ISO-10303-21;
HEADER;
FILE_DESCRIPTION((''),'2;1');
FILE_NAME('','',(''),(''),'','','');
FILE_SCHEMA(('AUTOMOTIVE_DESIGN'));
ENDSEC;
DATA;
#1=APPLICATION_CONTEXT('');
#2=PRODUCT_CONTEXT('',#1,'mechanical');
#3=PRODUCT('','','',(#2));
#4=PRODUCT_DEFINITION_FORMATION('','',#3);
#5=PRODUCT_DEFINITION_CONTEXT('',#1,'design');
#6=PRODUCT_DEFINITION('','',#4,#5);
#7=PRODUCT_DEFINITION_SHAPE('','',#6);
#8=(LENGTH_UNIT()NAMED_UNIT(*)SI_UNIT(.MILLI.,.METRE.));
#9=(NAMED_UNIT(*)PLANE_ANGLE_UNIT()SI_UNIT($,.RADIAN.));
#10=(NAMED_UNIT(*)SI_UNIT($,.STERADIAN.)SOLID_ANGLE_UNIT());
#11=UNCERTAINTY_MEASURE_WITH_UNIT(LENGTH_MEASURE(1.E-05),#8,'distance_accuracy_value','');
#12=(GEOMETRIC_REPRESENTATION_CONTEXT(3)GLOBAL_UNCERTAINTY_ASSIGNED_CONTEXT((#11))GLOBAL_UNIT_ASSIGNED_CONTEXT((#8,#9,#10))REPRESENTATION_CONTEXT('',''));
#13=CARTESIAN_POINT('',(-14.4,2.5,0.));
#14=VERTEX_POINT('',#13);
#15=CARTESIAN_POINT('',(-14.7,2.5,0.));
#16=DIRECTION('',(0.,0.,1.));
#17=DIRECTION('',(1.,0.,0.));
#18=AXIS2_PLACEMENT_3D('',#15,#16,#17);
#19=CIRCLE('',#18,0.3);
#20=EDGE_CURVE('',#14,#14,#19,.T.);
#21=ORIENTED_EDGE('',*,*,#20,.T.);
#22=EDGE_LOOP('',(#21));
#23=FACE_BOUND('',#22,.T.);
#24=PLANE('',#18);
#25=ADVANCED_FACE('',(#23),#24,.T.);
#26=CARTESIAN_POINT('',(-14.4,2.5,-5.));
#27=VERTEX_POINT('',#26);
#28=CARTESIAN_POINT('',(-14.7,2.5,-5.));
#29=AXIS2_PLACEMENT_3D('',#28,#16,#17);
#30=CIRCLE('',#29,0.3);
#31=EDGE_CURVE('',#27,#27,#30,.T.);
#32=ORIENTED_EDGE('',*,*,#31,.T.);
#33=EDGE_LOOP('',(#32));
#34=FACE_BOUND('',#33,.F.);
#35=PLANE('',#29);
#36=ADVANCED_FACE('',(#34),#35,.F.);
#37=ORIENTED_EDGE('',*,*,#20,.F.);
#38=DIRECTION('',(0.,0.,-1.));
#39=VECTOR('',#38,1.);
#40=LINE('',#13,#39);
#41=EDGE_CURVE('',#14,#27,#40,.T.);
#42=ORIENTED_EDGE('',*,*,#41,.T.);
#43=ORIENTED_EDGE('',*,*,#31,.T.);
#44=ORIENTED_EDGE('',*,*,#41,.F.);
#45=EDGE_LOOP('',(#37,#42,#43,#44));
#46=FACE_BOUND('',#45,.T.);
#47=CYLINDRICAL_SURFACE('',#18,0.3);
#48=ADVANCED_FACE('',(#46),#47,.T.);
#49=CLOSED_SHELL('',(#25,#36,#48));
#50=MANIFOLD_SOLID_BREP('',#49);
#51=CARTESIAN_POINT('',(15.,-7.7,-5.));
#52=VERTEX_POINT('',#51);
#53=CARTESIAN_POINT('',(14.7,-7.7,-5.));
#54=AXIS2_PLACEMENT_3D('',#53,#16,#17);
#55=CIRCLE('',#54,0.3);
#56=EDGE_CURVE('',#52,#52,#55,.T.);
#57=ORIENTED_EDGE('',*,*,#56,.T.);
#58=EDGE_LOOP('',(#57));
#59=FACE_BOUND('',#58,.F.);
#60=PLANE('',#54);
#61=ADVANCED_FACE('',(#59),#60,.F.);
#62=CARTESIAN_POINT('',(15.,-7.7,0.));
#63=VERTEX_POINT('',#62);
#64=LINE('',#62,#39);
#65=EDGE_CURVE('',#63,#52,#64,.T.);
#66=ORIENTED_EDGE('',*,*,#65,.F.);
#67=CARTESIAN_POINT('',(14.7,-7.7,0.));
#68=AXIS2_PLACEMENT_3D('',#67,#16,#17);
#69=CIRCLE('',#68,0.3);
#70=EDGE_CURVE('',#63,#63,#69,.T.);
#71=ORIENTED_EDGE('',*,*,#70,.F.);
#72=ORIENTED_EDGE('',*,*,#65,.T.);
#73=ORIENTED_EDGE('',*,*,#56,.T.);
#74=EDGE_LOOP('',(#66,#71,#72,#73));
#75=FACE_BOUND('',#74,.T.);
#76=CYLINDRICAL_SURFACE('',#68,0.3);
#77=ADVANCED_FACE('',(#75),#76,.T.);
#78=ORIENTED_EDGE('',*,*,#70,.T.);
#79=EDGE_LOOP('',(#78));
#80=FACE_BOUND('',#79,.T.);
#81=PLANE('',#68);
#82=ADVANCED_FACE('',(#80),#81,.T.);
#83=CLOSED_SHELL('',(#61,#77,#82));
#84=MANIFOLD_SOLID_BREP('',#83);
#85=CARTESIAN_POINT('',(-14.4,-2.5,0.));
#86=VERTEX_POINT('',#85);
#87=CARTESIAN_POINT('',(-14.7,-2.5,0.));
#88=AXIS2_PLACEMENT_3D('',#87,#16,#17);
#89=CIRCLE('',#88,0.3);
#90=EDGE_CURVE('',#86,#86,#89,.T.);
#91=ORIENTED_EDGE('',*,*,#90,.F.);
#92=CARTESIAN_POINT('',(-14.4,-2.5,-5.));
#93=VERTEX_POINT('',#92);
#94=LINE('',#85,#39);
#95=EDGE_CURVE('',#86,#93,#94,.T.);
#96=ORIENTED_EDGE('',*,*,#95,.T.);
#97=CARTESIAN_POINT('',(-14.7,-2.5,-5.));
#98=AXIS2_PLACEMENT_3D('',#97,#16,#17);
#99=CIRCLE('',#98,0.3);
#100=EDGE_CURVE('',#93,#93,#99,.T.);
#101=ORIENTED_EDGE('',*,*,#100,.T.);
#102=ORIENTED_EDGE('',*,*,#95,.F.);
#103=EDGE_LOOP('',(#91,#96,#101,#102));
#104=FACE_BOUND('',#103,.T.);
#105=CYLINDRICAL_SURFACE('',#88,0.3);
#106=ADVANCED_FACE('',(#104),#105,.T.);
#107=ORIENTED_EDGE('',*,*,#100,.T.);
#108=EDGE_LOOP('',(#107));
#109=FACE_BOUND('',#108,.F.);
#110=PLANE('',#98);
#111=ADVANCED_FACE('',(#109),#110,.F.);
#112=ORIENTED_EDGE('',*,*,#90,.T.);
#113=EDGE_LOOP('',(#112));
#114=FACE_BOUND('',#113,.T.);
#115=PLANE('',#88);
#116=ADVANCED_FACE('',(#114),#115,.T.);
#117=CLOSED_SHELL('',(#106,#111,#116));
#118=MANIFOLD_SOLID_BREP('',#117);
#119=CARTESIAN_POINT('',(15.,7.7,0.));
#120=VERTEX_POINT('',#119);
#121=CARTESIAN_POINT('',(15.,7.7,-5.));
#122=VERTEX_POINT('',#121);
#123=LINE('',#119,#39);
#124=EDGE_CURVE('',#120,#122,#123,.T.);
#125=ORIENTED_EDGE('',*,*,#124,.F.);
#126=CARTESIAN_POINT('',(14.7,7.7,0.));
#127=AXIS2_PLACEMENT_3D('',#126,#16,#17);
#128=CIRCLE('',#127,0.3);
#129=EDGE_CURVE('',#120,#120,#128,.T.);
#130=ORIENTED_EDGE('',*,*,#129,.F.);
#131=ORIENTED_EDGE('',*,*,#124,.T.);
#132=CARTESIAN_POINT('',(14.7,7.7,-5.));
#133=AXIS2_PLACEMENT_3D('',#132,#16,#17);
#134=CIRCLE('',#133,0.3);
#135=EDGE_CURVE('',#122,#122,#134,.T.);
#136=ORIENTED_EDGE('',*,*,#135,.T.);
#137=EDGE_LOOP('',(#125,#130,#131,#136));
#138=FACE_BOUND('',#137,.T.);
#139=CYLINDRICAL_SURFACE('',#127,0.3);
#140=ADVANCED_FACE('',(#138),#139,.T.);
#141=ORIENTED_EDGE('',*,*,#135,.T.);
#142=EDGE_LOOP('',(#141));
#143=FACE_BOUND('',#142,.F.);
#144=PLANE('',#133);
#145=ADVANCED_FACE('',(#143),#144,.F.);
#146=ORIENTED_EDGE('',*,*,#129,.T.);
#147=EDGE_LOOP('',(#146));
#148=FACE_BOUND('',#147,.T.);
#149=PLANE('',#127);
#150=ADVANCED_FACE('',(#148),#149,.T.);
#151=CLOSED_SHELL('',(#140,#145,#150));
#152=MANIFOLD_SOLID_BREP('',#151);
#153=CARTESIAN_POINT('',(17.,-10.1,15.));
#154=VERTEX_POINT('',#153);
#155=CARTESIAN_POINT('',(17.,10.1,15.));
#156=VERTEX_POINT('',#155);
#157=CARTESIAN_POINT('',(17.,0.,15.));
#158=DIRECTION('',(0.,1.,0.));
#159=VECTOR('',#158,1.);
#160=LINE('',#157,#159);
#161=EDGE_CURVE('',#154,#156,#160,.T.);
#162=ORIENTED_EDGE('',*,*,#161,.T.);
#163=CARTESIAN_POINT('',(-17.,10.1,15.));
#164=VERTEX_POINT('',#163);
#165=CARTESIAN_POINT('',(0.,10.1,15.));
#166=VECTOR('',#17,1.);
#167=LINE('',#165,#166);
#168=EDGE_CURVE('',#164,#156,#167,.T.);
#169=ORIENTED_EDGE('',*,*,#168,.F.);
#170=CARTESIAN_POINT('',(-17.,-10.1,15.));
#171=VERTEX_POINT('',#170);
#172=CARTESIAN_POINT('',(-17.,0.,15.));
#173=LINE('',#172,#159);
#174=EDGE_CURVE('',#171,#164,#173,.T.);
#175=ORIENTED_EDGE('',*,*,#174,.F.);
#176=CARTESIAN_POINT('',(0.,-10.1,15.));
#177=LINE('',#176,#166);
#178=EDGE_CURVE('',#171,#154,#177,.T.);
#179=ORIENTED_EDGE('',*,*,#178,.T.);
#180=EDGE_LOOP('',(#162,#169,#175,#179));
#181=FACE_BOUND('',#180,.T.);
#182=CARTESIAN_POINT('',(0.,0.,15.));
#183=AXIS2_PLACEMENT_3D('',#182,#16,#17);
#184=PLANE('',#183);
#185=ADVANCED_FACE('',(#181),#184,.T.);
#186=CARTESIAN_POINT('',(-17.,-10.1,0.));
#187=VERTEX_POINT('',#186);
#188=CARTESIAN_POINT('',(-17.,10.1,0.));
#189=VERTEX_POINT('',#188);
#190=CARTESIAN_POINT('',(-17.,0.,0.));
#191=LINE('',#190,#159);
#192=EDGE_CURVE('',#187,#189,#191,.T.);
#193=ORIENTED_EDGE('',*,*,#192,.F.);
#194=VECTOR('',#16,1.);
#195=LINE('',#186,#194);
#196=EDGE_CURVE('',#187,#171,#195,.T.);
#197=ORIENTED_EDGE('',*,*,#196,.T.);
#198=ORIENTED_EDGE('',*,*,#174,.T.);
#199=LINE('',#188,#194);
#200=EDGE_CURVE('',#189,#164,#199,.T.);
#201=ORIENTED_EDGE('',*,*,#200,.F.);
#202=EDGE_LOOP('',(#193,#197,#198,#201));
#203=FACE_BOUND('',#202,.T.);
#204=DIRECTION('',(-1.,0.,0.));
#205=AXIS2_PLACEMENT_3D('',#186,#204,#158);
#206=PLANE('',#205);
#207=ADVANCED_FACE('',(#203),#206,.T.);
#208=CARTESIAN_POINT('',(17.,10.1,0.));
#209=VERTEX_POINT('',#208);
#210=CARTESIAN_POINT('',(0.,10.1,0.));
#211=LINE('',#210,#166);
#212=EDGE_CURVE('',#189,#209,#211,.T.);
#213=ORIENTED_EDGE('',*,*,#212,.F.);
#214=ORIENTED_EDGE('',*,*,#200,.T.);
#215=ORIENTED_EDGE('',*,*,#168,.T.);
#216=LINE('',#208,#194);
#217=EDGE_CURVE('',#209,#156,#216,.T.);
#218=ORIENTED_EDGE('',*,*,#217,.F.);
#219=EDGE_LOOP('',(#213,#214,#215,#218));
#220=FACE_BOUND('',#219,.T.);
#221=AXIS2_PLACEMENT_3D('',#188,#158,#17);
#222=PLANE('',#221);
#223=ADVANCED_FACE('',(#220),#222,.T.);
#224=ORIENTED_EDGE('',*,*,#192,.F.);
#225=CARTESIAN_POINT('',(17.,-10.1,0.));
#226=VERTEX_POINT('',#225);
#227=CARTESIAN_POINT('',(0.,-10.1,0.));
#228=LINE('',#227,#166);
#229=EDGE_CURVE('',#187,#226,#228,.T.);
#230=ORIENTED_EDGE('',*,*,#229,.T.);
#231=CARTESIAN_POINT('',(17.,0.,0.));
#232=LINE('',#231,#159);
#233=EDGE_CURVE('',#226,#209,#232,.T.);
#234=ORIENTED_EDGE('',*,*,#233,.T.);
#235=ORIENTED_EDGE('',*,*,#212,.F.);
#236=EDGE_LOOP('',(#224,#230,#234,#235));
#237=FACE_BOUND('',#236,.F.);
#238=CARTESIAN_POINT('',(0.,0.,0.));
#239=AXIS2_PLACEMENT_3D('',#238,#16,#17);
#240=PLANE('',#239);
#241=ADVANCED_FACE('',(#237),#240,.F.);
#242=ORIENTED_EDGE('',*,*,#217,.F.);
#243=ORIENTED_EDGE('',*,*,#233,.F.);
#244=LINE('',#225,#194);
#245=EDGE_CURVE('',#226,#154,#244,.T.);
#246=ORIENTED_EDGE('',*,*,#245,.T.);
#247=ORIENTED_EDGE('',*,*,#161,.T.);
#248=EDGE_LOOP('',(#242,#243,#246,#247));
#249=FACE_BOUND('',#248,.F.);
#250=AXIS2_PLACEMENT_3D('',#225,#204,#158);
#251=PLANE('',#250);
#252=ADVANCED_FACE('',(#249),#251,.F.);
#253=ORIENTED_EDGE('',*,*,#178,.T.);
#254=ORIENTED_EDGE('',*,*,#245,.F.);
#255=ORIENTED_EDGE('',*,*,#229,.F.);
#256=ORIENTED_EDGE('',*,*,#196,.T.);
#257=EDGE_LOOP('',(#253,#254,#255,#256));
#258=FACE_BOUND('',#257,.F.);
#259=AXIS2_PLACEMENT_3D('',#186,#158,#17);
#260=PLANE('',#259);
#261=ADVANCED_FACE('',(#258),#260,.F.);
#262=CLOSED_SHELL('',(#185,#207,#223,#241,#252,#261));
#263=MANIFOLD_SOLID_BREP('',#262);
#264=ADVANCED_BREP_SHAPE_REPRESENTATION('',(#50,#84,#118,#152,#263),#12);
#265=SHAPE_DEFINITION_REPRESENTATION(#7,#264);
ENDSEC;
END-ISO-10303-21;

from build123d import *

# Parameters (mm, degrees)
F0_W     = 34
F0_H     = 20.2
F0_R     = 0.3
F1_DEPTH = 15
F2_DEPTH = 5


with BuildPart() as f1:
    # F0 (on Top) → F1 (new body)
    with BuildSketch(Plane.XY):
        Rectangle(F0_W, F0_H)
        with Locations((-14.7, -2.5)):
            Circle(F0_R, mode=Mode.SUBTRACT)
        with Locations((14.7, -7.7)):
            Circle(F0_R, mode=Mode.SUBTRACT)
        with Locations((-14.7, 2.5)):
            Circle(F0_R, mode=Mode.SUBTRACT)
        with Locations((14.7, 7.7)):
            Circle(F0_R, mode=Mode.SUBTRACT)
        with Locations((-14.7, 2.5)):
            Circle(F0_R)
        with Locations((14.7, 7.7)):
            Circle(F0_R)
        with Locations((14.7, -7.7)):
            Circle(F0_R)
        with Locations((-14.7, -2.5)):
            Circle(F0_R)
    extrude(amount=F1_DEPTH)


with BuildPart() as f2:
    # F0 (on Top) → F2 (new body)
    with BuildSketch(Plane.XY):
        with Locations((-14.7, -2.5)):
            Circle(F0_R)
    extrude(amount=-F2_DEPTH)


with BuildPart() as f2b:
    # F0 (on Top) → F2, piece 2 (new body)
    with BuildSketch(Plane.XY):
        with Locations((-14.7, 2.5)):
            Circle(F0_R)
    extrude(amount=-F2_DEPTH)


with BuildPart() as f2c:
    # F0 (on Top) → F2, piece 3 (new body)
    with BuildSketch(Plane.XY):
        with Locations((14.7, -7.7)):
            Circle(F0_R)
    extrude(amount=-F2_DEPTH)


with BuildPart() as f2d:
    # F0 (on Top) → F2, piece 4 (new body)
    with BuildSketch(Plane.XY):
        with Locations((14.7, 7.7)):
            Circle(F0_R)
    extrude(amount=-F2_DEPTH)


solid = Compound([f1.part, f2.part, f2b.part, f2c.part, f2d.part])
